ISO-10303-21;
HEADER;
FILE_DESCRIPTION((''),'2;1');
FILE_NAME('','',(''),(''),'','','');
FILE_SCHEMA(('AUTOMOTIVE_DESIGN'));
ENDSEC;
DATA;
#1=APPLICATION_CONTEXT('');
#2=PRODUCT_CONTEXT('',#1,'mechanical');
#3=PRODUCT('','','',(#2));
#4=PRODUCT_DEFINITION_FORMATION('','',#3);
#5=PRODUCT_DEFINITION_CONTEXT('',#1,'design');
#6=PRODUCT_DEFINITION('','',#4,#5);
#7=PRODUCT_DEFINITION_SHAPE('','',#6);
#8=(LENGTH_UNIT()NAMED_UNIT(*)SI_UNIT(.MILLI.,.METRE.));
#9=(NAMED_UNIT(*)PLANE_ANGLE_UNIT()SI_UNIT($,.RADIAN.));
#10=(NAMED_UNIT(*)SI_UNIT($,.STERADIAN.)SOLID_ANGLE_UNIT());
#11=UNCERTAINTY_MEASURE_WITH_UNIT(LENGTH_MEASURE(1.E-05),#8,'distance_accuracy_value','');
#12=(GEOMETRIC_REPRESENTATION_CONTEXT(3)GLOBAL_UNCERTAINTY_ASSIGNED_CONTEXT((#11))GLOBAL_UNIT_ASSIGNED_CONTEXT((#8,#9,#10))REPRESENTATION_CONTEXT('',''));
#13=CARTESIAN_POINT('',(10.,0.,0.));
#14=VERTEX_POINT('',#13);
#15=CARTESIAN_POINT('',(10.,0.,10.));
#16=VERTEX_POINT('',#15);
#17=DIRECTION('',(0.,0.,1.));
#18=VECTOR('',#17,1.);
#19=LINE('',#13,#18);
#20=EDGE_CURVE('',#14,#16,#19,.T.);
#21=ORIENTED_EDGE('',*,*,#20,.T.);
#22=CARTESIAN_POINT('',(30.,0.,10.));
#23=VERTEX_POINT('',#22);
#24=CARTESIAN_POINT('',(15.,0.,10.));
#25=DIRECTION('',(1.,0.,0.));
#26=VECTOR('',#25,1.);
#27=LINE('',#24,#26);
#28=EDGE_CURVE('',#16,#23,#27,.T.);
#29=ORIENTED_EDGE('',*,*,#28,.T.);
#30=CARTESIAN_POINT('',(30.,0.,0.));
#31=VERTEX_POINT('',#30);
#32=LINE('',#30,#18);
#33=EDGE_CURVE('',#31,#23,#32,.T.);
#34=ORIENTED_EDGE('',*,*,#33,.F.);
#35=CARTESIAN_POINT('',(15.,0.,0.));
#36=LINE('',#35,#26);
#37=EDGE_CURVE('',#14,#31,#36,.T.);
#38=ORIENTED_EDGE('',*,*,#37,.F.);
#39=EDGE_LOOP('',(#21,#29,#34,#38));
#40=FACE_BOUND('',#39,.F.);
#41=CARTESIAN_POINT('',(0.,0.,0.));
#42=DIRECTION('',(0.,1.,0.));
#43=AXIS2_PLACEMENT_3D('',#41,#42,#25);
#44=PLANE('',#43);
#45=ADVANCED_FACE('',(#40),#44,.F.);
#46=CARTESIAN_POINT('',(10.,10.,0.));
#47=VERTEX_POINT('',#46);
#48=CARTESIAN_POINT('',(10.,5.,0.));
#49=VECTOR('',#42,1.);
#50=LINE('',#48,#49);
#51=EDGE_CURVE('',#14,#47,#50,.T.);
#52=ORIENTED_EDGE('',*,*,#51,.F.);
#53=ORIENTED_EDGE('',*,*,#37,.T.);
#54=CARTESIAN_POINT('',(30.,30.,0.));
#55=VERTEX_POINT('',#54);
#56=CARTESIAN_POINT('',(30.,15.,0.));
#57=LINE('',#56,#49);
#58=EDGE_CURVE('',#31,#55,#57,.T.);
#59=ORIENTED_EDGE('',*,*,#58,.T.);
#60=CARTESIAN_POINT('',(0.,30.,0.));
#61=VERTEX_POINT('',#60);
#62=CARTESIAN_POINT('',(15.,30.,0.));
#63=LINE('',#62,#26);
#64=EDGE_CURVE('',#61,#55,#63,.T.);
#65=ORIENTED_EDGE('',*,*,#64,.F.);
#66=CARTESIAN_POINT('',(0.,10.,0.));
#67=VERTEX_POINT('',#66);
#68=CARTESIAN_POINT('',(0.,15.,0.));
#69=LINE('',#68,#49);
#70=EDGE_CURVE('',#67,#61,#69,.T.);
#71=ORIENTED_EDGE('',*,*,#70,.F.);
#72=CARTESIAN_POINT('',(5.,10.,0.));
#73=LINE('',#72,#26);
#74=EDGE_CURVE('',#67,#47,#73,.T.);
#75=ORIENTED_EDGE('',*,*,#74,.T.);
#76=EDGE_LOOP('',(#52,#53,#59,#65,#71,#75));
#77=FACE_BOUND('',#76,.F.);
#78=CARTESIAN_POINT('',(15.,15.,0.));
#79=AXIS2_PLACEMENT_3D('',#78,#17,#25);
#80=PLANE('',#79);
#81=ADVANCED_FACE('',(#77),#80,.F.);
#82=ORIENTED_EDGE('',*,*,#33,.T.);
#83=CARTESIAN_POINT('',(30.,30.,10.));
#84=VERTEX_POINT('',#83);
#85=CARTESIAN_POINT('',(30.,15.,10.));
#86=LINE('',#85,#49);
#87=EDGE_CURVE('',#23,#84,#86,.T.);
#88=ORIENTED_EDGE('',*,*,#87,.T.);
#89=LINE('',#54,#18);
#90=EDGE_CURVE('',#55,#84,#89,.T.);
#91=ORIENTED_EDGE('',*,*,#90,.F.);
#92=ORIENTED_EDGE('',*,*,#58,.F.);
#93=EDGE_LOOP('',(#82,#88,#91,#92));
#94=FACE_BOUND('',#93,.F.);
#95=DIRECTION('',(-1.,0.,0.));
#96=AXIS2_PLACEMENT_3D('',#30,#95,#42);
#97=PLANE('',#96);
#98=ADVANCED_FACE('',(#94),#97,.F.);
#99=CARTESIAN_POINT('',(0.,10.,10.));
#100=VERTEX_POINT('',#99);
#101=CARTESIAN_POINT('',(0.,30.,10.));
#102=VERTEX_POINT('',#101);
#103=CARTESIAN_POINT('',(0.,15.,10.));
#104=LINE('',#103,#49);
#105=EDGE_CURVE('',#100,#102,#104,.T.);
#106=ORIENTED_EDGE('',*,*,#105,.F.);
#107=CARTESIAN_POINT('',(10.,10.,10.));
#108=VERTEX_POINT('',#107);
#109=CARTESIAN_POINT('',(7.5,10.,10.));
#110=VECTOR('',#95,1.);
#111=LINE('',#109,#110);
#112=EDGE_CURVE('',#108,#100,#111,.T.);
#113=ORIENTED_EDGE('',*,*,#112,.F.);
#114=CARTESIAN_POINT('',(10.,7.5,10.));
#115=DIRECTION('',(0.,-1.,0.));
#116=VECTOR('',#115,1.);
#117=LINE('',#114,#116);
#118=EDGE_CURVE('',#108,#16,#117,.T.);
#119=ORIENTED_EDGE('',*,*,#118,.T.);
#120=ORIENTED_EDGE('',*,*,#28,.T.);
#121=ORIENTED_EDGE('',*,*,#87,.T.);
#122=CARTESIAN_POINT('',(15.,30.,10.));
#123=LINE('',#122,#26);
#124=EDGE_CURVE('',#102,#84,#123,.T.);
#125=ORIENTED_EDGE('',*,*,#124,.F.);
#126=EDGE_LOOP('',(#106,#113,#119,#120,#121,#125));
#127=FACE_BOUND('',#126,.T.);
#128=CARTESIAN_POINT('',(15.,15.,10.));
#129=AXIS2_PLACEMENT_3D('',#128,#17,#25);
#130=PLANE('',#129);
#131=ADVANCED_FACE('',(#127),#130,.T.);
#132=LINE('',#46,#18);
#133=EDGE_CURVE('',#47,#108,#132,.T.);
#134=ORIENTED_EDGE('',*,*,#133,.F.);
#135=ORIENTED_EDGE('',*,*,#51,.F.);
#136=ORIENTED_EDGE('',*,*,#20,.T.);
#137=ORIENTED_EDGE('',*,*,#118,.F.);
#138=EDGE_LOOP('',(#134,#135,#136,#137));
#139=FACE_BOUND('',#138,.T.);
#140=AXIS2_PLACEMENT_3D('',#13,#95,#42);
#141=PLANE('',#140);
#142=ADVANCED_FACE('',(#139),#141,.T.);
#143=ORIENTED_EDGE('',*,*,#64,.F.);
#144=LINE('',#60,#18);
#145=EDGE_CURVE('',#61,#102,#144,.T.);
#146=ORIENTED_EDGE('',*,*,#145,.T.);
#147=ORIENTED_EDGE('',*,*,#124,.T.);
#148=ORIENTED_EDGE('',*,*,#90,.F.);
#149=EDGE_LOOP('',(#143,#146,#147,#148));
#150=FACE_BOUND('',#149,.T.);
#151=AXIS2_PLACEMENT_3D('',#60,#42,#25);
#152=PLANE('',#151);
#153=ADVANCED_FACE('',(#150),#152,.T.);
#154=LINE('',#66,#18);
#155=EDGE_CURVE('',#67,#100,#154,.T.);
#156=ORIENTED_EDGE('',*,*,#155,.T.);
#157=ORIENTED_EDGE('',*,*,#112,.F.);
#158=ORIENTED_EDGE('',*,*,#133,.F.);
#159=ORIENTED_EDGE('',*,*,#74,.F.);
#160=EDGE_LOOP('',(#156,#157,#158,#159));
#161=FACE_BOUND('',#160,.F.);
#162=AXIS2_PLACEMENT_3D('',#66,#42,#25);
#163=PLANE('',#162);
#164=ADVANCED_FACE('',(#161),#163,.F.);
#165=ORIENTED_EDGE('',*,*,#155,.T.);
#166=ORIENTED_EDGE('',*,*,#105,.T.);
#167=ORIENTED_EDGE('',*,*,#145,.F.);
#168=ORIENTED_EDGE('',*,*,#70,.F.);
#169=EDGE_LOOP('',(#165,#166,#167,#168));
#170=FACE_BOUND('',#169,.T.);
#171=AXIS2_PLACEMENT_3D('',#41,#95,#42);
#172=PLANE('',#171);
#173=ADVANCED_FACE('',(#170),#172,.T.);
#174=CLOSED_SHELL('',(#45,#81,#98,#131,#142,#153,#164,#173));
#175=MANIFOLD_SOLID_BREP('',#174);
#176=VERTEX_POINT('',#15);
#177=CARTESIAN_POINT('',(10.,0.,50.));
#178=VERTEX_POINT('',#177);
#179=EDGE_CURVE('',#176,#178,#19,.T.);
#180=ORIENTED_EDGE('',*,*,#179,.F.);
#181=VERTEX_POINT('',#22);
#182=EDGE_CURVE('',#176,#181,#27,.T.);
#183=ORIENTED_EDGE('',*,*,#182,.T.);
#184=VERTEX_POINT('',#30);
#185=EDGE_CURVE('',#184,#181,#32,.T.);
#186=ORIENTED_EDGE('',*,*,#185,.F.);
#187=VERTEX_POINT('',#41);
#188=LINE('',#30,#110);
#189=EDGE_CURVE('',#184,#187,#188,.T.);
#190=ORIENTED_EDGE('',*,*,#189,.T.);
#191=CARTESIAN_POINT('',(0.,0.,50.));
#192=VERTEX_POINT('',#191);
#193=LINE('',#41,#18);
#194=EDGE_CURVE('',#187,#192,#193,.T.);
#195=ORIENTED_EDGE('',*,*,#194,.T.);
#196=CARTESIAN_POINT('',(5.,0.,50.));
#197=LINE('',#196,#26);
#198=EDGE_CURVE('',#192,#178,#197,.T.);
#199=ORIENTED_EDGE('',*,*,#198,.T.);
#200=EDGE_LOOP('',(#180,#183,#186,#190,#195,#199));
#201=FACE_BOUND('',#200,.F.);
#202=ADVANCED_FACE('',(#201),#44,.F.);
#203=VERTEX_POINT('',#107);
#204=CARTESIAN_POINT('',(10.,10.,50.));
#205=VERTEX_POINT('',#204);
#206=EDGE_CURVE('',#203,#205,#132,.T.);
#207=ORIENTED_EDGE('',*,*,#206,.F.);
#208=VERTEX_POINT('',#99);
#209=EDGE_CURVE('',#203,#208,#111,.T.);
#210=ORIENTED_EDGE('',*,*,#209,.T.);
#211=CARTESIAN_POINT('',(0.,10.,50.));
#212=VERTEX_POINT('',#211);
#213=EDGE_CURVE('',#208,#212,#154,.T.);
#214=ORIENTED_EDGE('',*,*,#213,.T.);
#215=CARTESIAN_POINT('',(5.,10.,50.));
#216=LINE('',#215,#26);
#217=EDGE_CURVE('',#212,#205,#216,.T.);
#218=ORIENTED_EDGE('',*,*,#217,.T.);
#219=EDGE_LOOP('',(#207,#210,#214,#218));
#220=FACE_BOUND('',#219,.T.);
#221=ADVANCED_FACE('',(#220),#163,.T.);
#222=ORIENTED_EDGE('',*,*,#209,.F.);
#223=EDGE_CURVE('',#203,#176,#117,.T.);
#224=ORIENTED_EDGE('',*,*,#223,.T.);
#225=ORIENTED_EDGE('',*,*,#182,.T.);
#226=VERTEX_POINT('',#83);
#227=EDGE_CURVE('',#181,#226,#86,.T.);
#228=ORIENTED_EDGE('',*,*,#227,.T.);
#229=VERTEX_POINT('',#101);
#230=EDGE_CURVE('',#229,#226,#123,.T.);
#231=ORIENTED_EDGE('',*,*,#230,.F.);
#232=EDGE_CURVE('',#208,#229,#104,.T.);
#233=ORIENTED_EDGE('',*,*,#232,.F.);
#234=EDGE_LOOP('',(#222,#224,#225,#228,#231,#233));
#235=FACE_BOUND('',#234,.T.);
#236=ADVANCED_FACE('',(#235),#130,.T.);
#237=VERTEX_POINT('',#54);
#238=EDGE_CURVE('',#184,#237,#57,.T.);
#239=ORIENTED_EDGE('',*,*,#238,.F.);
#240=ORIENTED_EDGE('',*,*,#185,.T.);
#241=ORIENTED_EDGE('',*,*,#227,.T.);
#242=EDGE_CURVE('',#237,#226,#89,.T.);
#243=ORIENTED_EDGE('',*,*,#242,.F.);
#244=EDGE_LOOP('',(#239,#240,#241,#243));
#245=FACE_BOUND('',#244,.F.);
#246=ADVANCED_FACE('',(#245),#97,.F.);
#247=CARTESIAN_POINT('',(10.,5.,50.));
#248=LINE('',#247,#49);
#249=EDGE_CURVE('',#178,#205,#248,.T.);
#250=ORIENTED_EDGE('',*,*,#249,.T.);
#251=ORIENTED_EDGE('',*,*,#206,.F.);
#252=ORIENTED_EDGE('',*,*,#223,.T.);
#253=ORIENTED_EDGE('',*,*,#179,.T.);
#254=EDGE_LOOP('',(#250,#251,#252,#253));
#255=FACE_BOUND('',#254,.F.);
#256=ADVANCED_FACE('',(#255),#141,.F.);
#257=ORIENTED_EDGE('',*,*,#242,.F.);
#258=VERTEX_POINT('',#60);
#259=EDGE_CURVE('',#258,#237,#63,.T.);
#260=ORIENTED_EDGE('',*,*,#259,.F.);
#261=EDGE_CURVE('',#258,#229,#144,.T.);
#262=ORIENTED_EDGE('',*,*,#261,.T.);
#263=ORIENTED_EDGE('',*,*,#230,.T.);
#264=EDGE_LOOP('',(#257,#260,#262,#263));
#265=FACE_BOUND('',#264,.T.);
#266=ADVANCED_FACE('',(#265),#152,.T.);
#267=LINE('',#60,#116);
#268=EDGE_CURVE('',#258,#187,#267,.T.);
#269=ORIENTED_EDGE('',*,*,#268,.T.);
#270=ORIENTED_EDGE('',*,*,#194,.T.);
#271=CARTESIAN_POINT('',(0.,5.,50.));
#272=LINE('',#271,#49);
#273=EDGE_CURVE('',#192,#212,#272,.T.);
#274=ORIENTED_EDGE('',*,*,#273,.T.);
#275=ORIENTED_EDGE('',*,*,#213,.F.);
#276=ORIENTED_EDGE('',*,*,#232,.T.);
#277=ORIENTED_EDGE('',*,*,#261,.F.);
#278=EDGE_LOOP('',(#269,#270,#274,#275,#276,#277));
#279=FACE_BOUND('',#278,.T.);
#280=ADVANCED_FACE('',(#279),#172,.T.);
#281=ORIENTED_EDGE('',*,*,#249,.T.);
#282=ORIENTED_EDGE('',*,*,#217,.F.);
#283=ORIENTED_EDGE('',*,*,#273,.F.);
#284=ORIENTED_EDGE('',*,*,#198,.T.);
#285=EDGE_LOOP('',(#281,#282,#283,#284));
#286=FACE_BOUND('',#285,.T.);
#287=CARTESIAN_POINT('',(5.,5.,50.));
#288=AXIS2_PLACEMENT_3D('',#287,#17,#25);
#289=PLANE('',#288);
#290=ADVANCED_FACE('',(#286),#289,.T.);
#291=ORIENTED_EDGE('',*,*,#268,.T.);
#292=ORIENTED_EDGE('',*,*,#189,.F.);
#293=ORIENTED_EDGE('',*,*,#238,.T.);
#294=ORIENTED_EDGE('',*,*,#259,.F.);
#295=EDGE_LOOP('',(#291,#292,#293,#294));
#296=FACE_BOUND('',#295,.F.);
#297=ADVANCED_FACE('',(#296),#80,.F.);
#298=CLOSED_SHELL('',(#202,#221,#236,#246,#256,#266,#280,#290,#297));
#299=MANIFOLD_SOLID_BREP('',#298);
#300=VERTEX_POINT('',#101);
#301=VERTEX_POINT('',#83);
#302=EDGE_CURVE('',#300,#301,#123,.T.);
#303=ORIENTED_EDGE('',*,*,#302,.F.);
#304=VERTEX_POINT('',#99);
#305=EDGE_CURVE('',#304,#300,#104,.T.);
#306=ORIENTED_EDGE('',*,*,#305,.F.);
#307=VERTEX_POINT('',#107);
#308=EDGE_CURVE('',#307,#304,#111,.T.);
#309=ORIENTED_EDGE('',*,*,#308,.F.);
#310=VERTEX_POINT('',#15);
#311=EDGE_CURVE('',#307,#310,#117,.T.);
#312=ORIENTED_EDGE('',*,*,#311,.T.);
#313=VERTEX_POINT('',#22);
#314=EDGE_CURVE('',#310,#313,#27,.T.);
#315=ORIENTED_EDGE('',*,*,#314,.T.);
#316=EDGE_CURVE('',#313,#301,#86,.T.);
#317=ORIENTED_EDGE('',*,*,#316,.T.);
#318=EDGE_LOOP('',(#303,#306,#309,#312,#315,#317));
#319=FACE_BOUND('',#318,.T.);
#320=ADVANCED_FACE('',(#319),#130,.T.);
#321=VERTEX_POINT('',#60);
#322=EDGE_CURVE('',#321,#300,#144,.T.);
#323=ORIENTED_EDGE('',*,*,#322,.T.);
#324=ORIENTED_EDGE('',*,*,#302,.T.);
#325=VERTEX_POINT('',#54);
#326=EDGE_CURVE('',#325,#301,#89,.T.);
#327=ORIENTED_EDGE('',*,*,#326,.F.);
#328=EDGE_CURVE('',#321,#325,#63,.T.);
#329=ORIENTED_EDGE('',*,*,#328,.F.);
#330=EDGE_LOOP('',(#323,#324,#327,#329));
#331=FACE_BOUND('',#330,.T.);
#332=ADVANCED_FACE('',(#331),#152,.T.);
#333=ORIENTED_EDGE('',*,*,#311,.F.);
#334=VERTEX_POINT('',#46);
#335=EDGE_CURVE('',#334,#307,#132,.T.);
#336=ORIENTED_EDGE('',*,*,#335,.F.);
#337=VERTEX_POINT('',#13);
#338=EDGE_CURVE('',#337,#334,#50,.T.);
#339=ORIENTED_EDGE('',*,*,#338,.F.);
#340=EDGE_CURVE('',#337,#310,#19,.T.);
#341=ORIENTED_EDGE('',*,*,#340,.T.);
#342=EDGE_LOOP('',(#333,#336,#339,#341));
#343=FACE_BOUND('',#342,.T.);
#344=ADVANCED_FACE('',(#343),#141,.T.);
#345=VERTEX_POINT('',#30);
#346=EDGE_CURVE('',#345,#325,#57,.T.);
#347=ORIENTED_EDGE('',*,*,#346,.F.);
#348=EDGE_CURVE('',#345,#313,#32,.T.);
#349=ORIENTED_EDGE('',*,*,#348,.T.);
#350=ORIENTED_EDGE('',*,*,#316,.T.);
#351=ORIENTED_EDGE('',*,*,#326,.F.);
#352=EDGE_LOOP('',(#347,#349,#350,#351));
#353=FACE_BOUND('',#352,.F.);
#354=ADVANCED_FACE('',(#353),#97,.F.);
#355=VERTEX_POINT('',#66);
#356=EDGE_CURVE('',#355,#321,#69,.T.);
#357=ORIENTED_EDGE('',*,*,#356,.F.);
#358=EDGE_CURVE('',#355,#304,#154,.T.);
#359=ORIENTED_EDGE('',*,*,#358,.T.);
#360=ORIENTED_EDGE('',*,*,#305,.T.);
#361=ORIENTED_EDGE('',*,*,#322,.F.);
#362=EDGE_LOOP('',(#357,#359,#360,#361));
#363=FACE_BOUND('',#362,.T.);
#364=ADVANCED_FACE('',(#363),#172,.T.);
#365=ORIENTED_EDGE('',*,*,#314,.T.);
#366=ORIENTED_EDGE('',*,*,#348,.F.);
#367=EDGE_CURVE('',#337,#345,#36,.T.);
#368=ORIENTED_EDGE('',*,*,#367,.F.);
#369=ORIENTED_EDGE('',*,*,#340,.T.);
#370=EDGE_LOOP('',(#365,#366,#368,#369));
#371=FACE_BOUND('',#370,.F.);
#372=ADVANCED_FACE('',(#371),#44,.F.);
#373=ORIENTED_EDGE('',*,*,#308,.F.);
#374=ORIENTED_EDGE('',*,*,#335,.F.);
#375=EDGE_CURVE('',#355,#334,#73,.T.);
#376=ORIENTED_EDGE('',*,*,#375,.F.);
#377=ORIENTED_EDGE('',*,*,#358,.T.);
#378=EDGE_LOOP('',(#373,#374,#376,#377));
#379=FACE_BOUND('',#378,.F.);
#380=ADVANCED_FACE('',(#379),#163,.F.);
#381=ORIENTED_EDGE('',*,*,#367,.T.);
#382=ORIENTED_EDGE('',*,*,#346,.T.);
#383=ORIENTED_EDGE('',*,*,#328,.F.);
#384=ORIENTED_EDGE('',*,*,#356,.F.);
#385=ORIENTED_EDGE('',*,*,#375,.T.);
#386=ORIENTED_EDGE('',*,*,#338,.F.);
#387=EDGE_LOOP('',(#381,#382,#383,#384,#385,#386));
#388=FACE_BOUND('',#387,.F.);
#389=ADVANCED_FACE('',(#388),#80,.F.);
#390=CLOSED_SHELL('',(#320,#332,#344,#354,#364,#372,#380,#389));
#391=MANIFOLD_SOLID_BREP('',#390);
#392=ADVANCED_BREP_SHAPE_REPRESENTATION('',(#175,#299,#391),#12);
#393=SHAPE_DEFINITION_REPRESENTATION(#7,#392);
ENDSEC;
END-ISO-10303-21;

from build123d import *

# Parameters (mm, degrees)
BOX_W        = 10
BOX_H        = 10
BOX_DEPTH    = 50
BOX001_W     = 30
BOX001_H     = 30
BOX001_DEPTH = 10


with BuildPart() as torre:
    # Box → Box (new body)
    with BuildSketch(Plane.XY):
        with Locations((5, 5)):
            Rectangle(BOX_W, BOX_H)
    extrude(amount=BOX_DEPTH)


with BuildPart() as base:
    # Box001 → Box001 (new body)
    with BuildSketch(Plane.XY):
        with Locations((15, 15)):
            Rectangle(BOX001_W, BOX001_H)
    extrude(amount=BOX001_DEPTH)


with BuildPart() as cut:
    # Cut base: copy of Base
    add(base.part)

    # Cut: cut Torre
    add(torre.part, mode=Mode.SUBTRACT)


with BuildPart() as cut001:
    # Cut001 base: copy of Base
    add(base.part)

    # Cut001: cut Torre
    add(torre.part, mode=Mode.SUBTRACT)


with BuildPart() as fusion:
    # Fusion base: copy of Base
    add(base.part)

    # Fusion: union Torre
    add(torre.part)


solid = Compound([cut.part, cut001.part, fusion.part])
